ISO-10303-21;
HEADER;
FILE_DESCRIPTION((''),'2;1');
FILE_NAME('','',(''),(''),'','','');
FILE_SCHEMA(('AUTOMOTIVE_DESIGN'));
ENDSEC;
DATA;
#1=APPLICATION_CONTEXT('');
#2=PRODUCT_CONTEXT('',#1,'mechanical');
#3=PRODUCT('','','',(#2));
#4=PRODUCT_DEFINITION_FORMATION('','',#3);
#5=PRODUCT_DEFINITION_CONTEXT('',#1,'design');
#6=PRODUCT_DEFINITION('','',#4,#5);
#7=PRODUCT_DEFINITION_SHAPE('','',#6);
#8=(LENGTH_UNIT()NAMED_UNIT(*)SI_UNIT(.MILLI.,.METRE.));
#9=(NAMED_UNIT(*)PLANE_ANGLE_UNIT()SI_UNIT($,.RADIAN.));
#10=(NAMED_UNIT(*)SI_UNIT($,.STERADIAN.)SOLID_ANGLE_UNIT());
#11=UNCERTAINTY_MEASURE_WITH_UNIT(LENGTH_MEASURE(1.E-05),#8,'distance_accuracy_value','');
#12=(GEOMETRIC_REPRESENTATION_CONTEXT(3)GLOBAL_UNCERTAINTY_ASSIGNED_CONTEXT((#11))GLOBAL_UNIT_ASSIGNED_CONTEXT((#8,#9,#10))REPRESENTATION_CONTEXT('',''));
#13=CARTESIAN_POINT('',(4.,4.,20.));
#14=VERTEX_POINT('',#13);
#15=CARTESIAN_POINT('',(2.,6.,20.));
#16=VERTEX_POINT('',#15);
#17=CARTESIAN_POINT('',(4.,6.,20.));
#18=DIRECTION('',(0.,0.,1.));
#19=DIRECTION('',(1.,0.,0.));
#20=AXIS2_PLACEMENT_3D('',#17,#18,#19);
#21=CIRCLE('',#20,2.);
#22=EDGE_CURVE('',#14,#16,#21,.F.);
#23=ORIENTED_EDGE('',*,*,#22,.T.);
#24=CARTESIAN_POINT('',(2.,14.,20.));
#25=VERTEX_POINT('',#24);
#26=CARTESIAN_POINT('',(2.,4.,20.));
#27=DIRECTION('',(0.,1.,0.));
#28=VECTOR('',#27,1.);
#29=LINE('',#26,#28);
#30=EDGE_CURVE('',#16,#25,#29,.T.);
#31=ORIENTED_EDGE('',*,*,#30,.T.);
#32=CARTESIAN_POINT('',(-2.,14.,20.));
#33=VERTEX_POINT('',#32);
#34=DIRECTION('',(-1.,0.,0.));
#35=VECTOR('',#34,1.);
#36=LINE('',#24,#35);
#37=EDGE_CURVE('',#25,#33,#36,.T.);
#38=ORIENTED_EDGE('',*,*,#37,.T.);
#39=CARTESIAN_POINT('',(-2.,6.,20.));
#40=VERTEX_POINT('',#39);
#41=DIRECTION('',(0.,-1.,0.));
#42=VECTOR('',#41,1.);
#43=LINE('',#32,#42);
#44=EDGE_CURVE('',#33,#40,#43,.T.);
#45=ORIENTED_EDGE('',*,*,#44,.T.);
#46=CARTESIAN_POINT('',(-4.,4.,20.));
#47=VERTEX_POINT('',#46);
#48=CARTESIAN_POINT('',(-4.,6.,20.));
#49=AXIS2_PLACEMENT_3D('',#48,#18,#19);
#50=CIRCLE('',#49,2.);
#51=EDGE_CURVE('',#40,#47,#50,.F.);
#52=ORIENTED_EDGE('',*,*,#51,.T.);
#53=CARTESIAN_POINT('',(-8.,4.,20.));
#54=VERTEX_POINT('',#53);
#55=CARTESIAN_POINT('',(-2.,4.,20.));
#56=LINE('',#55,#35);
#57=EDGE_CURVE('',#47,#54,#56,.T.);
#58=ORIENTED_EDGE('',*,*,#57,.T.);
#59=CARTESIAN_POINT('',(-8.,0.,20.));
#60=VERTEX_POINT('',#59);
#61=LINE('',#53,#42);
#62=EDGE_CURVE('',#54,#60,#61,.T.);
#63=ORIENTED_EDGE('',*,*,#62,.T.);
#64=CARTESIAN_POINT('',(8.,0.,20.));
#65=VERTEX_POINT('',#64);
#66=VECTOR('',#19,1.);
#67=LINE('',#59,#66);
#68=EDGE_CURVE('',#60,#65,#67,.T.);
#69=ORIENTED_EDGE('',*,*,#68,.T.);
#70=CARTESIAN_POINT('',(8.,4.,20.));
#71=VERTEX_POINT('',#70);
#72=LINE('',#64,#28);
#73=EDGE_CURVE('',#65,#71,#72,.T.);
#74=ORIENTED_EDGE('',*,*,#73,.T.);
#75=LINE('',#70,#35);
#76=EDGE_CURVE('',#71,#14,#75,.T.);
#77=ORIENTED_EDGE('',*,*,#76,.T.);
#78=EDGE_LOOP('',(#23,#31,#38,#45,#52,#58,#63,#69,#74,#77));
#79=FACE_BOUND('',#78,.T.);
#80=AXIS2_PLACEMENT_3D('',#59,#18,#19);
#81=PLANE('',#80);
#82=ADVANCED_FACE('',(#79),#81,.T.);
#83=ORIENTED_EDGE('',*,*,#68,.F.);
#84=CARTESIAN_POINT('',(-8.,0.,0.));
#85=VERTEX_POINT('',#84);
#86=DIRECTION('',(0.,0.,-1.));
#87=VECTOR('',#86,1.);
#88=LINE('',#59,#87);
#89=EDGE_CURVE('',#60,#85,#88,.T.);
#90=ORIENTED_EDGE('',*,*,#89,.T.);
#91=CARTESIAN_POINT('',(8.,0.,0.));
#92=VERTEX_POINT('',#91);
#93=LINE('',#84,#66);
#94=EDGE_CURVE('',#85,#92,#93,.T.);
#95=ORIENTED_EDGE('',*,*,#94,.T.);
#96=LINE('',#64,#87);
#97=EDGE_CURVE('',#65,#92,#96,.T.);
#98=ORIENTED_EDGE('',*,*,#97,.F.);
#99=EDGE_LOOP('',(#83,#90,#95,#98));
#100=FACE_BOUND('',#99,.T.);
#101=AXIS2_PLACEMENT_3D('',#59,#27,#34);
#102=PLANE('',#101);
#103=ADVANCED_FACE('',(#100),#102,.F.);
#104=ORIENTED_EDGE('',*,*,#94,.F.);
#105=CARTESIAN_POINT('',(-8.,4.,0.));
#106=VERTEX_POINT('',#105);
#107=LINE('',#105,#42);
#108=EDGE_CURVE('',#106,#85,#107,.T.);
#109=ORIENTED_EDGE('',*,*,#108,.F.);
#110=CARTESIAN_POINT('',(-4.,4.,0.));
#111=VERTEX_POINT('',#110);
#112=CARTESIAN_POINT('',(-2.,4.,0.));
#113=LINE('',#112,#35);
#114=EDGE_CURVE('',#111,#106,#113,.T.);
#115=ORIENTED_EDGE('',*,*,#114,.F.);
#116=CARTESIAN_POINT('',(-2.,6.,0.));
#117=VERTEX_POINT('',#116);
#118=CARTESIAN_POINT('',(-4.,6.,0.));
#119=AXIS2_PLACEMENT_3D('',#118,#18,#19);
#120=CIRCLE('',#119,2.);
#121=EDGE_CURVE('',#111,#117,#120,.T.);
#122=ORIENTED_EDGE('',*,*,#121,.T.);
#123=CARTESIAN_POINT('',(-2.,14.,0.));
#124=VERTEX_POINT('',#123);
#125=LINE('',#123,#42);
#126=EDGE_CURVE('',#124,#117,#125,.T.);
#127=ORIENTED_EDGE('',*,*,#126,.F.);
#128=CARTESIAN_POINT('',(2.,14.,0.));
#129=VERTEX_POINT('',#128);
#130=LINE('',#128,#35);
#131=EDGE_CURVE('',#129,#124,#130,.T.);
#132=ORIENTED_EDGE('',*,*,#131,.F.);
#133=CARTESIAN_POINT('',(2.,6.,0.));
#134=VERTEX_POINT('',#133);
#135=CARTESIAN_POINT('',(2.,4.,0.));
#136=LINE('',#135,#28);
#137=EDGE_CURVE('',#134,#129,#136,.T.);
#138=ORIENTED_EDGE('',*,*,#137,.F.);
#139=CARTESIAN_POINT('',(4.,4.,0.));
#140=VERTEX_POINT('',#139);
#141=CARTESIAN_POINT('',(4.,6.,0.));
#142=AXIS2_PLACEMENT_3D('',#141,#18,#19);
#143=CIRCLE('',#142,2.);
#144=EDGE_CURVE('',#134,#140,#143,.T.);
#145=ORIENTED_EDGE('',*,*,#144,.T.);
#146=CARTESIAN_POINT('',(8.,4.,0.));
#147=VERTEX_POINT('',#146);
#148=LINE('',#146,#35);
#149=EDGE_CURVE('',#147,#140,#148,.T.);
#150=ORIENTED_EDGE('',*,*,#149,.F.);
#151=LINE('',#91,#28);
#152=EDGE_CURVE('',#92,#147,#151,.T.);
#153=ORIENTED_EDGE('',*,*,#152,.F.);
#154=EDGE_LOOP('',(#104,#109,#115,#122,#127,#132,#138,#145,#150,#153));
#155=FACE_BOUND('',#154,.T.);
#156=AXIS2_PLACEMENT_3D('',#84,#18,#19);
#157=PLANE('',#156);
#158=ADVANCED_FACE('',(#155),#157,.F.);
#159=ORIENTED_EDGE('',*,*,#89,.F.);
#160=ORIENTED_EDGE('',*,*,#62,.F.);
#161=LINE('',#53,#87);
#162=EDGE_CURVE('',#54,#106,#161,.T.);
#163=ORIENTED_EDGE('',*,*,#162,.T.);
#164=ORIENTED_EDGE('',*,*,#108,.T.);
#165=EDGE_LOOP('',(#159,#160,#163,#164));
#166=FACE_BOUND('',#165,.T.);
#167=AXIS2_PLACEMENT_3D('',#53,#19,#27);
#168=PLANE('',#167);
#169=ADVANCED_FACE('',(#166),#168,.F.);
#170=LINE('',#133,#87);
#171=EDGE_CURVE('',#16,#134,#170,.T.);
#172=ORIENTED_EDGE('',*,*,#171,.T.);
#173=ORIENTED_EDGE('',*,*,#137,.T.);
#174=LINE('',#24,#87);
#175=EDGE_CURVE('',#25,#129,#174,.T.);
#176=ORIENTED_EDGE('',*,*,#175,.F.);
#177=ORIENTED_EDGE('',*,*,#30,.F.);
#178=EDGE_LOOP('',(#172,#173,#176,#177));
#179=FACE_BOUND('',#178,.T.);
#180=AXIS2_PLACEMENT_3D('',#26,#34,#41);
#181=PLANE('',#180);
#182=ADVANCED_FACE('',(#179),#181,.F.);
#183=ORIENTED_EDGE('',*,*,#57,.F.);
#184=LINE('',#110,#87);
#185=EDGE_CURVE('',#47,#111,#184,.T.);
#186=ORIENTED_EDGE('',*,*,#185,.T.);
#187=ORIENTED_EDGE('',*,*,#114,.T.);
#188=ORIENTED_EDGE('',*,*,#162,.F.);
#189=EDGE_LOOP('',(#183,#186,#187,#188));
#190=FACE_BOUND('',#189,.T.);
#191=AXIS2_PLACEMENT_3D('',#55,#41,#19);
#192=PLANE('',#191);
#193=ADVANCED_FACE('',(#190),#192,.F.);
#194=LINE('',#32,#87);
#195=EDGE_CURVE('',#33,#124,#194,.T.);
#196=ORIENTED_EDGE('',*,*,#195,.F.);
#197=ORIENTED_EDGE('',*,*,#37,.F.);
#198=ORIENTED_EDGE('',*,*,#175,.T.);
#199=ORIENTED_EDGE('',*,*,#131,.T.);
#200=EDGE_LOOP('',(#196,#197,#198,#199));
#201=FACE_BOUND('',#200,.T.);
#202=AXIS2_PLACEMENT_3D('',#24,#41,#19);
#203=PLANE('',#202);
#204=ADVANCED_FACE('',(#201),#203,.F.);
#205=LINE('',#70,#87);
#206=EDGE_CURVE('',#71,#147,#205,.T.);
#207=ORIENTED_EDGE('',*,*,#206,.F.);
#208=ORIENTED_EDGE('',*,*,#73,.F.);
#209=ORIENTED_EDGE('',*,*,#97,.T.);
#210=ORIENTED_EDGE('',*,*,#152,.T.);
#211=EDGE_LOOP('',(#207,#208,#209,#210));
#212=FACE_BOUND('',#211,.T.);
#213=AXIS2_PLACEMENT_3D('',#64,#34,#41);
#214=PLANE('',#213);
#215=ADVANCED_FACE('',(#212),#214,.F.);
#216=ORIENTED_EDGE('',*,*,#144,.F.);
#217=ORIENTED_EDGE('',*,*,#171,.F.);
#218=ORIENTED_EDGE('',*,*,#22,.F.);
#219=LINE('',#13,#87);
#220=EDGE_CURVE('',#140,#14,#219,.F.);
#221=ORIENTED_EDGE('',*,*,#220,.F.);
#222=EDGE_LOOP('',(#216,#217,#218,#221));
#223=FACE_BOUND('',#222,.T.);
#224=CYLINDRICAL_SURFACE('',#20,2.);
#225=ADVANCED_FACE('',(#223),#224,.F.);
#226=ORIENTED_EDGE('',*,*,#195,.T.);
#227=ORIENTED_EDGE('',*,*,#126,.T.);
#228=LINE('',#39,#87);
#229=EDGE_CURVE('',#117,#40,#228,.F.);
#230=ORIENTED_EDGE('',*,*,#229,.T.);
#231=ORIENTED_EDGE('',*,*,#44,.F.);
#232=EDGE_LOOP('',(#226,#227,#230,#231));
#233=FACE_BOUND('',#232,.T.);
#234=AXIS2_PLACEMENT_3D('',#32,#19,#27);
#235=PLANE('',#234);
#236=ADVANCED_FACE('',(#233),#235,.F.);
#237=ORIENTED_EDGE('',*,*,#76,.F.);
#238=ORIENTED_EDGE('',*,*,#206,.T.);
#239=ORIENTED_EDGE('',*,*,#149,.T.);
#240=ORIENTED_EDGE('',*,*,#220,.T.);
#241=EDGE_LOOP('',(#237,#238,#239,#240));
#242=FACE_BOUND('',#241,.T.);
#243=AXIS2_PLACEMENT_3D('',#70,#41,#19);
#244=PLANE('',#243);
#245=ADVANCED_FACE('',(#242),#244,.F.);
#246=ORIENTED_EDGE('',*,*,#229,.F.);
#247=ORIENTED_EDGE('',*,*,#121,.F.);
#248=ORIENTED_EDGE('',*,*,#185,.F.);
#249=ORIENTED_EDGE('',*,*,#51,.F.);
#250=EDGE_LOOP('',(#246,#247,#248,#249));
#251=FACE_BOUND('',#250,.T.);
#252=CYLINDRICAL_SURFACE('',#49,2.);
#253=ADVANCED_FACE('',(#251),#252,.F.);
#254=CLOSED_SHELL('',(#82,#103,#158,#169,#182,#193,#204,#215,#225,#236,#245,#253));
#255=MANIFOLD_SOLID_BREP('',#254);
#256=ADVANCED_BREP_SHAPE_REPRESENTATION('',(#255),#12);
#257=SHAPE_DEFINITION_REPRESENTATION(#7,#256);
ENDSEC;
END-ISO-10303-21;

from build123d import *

# Parameters (mm, degrees)
BOSS_EXTRU_1_DEPTH = 20
CONG_1_R           = 2


with BuildPart() as part:
    # Esquisse1 → Boss.-Extru.1 (new body)
    with BuildSketch(Plane.XY):
        Polygon((-8, 0), (8, 0), (8, 4), (2, 4), (2, 14), (-2, 14), (-2, 4), (-8, 4), align=None)
    extrude(amount=BOSS_EXTRU_1_DEPTH)

    # Congé1
    cong_1_edges = [part.edges().sort_by_distance(p)[0] for p in [
        (-2, 4, 10),
        (2, 4, 10),
    ]]
    fillet(cong_1_edges, radius=CONG_1_R)


solid = part.part
